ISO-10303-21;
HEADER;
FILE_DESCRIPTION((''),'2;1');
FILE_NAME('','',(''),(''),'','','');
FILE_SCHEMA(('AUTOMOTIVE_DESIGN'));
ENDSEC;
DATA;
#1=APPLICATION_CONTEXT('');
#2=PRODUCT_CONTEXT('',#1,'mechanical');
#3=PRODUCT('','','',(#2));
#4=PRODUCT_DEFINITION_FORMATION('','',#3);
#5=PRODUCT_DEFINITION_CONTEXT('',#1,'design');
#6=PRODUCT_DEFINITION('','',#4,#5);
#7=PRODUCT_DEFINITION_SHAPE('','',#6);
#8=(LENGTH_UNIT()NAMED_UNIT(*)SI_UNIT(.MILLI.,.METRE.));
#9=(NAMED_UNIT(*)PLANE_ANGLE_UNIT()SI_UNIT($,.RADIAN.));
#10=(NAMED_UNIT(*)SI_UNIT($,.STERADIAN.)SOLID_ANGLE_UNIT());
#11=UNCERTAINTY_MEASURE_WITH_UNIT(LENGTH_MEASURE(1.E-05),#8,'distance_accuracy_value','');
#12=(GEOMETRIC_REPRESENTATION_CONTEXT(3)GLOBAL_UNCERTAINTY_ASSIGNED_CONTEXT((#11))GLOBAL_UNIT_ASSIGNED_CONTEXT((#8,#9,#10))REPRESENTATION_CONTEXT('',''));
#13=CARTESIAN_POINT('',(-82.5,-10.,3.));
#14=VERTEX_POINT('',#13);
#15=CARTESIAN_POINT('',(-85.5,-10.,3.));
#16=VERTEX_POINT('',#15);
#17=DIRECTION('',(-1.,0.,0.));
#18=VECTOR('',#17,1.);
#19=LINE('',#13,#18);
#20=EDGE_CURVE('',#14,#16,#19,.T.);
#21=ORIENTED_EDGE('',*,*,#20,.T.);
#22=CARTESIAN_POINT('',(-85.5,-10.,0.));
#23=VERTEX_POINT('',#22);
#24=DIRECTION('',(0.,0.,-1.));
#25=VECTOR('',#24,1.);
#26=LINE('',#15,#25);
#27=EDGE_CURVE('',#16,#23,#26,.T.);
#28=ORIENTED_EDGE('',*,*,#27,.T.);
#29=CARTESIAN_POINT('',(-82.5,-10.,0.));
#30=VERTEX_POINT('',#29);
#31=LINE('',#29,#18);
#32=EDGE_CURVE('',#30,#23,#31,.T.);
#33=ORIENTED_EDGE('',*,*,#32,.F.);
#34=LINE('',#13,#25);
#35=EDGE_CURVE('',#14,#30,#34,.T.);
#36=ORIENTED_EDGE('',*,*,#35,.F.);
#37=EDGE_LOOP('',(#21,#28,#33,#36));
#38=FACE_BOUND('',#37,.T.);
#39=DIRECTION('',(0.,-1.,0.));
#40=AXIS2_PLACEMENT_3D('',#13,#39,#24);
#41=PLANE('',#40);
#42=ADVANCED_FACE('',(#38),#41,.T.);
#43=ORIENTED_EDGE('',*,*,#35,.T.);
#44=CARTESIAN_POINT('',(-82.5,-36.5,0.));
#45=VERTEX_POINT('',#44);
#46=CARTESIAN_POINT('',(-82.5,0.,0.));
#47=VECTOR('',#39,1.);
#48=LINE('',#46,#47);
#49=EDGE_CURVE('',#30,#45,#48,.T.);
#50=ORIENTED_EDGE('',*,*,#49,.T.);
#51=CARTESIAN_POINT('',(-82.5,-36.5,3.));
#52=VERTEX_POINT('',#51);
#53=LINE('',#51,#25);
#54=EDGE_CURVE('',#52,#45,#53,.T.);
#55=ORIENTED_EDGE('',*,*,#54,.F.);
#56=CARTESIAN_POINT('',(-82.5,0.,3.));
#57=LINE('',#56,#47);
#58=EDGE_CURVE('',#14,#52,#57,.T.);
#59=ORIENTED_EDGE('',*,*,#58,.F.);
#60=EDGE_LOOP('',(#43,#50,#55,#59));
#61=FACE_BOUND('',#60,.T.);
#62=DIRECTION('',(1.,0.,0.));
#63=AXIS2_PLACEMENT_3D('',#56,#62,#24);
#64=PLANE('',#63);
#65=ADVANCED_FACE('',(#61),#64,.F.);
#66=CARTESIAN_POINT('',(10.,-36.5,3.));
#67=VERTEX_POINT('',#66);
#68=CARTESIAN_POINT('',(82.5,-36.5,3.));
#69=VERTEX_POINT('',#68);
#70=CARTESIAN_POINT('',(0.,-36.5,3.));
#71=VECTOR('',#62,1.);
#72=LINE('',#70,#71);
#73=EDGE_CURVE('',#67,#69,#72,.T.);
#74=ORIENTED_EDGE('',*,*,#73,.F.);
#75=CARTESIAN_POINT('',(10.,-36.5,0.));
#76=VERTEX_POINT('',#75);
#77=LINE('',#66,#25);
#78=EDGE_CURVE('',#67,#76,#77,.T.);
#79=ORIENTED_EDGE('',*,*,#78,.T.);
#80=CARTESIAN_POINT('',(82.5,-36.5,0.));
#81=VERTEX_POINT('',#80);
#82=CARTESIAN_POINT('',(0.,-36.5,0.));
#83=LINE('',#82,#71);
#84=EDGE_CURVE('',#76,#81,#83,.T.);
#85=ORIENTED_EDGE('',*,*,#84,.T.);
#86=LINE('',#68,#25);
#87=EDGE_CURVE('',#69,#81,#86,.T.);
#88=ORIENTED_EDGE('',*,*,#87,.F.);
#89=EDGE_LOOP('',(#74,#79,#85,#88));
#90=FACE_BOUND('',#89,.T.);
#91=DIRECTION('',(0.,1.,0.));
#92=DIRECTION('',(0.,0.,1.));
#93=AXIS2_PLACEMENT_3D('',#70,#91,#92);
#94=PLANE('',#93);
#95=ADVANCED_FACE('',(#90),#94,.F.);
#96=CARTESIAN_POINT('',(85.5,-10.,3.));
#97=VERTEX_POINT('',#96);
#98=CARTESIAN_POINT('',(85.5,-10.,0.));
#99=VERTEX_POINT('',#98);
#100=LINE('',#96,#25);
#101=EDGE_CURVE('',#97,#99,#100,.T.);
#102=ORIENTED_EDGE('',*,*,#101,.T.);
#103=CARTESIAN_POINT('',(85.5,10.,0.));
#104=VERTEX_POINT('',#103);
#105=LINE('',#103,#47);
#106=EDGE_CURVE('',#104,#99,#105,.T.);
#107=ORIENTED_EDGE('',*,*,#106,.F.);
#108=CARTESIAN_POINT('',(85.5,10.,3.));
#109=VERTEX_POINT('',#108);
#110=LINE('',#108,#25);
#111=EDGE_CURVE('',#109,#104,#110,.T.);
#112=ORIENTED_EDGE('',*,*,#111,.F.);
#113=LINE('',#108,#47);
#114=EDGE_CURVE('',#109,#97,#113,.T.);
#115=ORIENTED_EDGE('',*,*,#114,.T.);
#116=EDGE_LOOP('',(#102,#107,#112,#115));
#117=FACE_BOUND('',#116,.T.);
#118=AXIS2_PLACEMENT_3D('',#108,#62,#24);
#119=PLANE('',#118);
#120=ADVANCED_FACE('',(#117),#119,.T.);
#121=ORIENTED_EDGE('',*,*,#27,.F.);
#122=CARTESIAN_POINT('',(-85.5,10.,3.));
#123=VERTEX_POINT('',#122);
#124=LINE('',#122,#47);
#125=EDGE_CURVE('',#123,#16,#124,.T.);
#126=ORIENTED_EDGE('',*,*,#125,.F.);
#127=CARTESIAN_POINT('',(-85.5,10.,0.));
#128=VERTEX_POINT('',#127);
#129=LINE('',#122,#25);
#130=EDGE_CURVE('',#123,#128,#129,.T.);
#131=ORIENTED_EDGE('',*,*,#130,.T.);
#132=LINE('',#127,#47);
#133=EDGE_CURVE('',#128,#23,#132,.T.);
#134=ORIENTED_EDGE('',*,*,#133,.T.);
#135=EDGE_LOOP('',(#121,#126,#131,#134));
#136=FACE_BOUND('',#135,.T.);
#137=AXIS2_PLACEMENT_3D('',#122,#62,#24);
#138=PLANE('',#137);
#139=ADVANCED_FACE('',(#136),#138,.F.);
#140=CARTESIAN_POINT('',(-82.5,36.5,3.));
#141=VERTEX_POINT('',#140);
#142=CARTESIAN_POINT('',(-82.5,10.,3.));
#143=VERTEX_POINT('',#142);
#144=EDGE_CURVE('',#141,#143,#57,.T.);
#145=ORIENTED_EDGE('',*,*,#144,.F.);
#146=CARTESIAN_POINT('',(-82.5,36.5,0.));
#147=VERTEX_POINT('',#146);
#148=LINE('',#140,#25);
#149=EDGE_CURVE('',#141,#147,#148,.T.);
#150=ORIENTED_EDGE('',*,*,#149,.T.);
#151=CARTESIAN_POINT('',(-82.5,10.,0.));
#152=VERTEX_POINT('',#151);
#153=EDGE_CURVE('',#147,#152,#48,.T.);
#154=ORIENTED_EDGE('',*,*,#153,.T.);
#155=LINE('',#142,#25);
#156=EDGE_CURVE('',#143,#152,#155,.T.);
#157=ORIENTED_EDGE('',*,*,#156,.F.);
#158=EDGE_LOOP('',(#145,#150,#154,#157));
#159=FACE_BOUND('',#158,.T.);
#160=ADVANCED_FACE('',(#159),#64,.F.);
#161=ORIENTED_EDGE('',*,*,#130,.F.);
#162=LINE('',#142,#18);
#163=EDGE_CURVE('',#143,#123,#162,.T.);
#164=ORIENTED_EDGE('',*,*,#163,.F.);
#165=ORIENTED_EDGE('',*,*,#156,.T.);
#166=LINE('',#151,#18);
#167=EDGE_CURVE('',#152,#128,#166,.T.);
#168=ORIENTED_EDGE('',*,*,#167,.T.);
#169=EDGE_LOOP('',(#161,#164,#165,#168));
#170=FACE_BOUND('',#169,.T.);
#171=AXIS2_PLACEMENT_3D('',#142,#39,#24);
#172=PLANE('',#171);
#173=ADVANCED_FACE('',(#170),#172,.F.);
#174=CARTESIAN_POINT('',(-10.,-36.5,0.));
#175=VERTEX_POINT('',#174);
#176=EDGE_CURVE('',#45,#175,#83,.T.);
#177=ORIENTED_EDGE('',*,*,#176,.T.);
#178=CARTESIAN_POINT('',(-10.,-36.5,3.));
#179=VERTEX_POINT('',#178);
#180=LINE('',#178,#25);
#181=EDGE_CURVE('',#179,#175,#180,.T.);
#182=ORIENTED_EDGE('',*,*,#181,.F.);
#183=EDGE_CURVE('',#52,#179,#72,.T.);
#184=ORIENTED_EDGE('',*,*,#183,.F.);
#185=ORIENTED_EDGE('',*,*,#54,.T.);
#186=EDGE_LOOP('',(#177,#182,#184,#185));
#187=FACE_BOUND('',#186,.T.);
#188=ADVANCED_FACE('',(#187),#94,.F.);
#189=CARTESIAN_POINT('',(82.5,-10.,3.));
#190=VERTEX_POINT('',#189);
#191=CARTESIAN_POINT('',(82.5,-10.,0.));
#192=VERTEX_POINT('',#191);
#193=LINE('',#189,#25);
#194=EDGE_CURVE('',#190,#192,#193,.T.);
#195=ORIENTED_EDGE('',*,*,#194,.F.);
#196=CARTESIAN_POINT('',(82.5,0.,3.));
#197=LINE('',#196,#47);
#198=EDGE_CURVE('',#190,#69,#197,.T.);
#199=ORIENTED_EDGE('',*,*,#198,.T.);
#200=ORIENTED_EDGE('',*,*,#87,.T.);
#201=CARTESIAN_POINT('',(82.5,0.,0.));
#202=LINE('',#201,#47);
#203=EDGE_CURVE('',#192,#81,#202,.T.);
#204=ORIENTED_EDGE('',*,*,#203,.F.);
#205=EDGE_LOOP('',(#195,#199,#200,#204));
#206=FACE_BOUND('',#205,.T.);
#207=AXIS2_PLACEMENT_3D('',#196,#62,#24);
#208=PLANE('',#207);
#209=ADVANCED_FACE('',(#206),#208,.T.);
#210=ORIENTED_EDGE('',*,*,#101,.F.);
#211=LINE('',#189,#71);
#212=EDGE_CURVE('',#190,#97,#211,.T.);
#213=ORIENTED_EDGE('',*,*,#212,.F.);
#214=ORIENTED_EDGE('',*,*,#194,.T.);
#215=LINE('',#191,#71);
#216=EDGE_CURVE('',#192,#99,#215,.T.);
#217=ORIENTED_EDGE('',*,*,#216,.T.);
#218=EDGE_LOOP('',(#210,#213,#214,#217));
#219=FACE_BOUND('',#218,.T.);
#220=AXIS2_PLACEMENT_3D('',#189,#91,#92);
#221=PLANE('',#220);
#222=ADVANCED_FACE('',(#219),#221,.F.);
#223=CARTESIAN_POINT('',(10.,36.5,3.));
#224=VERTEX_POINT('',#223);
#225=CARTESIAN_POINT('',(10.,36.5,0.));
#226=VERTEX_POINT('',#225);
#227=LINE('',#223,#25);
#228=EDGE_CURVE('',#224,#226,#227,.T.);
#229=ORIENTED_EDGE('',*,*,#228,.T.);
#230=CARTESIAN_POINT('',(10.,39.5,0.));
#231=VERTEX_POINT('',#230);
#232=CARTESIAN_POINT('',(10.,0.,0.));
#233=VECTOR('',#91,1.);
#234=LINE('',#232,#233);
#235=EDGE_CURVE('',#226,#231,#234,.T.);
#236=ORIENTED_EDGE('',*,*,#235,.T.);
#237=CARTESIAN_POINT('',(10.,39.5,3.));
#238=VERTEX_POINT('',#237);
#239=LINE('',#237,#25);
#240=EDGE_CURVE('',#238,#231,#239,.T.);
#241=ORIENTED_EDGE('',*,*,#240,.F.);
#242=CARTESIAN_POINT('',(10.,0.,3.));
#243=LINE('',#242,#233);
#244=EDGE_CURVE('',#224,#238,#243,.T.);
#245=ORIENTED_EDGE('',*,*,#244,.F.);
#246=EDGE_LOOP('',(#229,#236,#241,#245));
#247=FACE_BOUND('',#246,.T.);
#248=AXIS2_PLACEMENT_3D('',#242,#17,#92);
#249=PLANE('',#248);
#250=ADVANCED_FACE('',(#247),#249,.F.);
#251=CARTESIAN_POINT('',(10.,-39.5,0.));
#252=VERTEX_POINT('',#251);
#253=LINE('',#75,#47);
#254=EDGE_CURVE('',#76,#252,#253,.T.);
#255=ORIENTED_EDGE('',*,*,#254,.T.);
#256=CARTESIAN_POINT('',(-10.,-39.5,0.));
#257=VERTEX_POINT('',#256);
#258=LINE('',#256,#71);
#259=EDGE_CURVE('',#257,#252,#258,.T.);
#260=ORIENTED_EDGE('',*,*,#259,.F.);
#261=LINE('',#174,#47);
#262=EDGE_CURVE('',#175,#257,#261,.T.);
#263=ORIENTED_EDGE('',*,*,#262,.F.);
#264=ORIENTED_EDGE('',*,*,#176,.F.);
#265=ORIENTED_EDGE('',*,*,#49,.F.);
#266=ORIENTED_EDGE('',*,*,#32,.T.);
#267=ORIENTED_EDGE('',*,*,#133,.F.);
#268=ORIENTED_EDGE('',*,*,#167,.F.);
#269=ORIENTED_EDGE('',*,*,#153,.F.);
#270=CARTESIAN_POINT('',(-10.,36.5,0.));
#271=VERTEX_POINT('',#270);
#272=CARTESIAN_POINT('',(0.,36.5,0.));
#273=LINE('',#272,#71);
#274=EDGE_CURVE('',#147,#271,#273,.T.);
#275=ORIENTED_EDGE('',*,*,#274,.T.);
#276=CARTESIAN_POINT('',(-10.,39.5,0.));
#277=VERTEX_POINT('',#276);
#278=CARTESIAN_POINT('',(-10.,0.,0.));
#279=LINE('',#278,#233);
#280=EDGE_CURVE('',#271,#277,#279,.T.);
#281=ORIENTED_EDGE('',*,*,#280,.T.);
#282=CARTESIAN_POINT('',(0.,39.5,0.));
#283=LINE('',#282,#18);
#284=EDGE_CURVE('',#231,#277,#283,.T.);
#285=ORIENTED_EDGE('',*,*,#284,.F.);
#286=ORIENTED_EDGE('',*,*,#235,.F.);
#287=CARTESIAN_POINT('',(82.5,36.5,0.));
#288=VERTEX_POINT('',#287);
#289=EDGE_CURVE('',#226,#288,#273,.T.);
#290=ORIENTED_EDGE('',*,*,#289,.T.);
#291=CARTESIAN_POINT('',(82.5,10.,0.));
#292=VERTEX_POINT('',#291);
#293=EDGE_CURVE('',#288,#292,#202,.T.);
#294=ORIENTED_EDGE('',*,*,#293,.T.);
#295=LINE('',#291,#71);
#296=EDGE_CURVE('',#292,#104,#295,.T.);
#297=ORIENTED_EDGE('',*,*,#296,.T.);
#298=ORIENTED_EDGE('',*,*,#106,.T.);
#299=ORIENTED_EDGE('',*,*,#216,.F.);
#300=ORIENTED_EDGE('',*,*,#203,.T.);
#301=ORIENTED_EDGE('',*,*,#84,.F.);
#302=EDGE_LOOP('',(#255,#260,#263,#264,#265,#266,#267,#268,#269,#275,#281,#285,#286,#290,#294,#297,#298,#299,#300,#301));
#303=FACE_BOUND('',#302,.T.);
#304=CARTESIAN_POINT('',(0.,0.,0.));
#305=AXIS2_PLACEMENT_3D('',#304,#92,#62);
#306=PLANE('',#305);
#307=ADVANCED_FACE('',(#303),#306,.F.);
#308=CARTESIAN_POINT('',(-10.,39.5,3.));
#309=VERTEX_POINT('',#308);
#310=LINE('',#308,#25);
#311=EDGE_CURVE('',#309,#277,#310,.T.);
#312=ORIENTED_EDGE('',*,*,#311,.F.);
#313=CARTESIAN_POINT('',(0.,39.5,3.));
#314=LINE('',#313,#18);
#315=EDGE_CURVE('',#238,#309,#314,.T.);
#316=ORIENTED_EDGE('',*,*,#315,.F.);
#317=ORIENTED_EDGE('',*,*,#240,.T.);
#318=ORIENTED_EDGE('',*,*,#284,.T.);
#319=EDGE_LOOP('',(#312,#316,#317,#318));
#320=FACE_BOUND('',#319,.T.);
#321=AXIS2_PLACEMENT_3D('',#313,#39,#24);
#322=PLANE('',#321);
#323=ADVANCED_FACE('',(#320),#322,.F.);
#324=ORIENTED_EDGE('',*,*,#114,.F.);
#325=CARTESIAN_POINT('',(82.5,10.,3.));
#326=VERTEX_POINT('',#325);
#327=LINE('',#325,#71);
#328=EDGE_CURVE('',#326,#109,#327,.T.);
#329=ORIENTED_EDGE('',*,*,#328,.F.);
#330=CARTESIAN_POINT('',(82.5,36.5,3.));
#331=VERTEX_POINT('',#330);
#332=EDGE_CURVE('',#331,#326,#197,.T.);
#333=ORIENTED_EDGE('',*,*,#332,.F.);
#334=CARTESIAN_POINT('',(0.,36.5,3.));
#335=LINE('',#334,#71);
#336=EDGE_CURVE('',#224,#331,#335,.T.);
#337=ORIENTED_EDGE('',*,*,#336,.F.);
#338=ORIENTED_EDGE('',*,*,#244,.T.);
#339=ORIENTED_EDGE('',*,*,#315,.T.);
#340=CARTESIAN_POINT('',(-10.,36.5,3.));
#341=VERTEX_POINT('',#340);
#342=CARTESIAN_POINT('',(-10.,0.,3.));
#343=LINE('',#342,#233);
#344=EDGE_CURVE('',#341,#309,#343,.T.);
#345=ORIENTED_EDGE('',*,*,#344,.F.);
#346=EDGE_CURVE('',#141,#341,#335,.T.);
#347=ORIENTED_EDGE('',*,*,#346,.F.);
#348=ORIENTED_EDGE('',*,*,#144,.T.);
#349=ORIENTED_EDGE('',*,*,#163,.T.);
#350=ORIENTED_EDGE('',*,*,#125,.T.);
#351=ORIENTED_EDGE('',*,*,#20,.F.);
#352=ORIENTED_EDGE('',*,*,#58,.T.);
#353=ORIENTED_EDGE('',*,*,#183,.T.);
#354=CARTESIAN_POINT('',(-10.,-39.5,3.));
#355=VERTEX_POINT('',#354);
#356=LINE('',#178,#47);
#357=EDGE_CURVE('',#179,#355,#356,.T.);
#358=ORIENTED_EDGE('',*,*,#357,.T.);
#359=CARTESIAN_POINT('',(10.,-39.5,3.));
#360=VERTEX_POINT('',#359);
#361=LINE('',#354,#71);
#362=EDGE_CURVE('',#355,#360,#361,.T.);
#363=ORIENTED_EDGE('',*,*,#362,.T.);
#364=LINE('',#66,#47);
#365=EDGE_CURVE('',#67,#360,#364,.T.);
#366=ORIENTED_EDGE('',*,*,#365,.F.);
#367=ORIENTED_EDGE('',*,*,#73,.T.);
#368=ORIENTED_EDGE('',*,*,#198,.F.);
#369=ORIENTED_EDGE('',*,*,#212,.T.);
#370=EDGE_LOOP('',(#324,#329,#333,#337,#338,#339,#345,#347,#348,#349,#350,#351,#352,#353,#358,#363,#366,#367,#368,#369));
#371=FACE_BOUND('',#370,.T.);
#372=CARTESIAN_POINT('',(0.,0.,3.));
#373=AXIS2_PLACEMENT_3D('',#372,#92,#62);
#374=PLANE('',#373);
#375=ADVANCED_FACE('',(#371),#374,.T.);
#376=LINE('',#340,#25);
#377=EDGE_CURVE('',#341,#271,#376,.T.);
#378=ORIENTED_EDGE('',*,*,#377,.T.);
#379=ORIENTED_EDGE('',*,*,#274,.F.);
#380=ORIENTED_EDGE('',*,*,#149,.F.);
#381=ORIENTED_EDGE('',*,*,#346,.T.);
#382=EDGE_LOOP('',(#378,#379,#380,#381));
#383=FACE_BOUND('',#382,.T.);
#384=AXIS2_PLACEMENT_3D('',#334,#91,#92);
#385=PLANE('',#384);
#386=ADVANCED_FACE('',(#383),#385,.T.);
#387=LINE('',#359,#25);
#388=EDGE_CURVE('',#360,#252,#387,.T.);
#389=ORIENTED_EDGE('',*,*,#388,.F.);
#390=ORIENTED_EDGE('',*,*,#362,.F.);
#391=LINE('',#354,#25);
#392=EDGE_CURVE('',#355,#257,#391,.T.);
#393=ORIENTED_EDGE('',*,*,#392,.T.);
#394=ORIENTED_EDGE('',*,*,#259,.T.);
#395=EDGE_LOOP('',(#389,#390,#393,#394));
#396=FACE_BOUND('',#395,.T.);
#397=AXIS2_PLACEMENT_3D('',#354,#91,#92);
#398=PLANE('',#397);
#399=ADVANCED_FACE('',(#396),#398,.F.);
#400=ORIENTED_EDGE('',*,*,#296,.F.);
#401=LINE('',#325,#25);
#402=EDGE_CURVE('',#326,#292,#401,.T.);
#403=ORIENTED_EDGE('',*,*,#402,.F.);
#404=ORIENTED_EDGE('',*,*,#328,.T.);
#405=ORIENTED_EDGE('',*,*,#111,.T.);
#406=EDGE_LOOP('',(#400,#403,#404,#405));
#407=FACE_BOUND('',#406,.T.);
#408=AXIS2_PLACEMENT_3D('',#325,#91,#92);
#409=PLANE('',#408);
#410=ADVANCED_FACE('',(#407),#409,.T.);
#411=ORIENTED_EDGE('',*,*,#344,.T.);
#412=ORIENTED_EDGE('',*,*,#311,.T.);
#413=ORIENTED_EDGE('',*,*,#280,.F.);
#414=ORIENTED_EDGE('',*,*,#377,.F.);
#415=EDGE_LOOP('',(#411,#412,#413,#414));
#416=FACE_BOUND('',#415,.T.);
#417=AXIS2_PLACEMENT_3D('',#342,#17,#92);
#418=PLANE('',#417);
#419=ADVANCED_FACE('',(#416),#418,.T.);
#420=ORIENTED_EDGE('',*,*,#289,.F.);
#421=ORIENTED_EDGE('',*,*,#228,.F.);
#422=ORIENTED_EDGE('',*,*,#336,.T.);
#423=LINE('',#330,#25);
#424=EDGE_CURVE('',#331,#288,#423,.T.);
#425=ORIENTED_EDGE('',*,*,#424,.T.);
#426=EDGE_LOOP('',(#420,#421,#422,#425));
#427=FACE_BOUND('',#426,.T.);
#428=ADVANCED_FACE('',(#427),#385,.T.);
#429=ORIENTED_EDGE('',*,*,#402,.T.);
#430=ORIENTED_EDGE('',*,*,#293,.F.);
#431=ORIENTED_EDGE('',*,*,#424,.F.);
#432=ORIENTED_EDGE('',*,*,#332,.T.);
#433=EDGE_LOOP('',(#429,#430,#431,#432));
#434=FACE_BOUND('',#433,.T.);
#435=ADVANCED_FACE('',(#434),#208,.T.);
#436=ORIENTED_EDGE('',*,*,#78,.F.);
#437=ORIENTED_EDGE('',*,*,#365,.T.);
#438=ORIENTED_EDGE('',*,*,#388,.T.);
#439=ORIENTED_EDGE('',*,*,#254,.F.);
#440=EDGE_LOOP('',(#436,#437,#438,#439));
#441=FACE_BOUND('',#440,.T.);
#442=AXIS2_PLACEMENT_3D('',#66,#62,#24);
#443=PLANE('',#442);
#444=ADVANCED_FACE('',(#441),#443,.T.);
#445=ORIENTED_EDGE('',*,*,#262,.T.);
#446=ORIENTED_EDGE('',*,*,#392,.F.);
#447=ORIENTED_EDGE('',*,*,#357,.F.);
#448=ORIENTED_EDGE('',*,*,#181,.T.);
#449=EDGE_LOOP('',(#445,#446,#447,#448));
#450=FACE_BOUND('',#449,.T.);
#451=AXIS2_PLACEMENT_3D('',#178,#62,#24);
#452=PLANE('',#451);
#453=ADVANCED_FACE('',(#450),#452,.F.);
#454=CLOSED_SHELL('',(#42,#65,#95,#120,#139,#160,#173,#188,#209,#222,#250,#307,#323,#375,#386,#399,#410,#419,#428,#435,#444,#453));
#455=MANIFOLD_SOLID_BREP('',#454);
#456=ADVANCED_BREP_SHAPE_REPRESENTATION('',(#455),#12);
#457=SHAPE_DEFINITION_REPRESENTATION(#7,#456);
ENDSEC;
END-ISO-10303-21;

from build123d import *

# Parameters (mm, degrees)
ESBO_O1_W                = 165
ESBO_O1_H                = 73
ESBO_O1_W_2              = 20
ESBO_O1_H_2              = 3
ESBO_O1_W_3              = 3
ESBO_O1_H_3              = 20
RESSALTO_EXTRUS_O1_DEPTH = 3


with BuildPart() as part:
    # Esboço1 → Ressalto-extrusão1 (new body)
    with BuildSketch(Plane.XY):
        Rectangle(ESBO_O1_W, ESBO_O1_H)
        with Locations((0, 38)):
            Rectangle(ESBO_O1_W_2, ESBO_O1_H_2)
        with Locations((-84, 0)):
            Rectangle(ESBO_O1_W_3, ESBO_O1_H_3)
        with Locations((84, 0)):
            Rectangle(ESBO_O1_W_3, ESBO_O1_H_3)
        with Locations((0, -38)):
            Rectangle(ESBO_O1_W_2, ESBO_O1_H_2)
    extrude(amount=RESSALTO_EXTRUS_O1_DEPTH)


solid = part.part
